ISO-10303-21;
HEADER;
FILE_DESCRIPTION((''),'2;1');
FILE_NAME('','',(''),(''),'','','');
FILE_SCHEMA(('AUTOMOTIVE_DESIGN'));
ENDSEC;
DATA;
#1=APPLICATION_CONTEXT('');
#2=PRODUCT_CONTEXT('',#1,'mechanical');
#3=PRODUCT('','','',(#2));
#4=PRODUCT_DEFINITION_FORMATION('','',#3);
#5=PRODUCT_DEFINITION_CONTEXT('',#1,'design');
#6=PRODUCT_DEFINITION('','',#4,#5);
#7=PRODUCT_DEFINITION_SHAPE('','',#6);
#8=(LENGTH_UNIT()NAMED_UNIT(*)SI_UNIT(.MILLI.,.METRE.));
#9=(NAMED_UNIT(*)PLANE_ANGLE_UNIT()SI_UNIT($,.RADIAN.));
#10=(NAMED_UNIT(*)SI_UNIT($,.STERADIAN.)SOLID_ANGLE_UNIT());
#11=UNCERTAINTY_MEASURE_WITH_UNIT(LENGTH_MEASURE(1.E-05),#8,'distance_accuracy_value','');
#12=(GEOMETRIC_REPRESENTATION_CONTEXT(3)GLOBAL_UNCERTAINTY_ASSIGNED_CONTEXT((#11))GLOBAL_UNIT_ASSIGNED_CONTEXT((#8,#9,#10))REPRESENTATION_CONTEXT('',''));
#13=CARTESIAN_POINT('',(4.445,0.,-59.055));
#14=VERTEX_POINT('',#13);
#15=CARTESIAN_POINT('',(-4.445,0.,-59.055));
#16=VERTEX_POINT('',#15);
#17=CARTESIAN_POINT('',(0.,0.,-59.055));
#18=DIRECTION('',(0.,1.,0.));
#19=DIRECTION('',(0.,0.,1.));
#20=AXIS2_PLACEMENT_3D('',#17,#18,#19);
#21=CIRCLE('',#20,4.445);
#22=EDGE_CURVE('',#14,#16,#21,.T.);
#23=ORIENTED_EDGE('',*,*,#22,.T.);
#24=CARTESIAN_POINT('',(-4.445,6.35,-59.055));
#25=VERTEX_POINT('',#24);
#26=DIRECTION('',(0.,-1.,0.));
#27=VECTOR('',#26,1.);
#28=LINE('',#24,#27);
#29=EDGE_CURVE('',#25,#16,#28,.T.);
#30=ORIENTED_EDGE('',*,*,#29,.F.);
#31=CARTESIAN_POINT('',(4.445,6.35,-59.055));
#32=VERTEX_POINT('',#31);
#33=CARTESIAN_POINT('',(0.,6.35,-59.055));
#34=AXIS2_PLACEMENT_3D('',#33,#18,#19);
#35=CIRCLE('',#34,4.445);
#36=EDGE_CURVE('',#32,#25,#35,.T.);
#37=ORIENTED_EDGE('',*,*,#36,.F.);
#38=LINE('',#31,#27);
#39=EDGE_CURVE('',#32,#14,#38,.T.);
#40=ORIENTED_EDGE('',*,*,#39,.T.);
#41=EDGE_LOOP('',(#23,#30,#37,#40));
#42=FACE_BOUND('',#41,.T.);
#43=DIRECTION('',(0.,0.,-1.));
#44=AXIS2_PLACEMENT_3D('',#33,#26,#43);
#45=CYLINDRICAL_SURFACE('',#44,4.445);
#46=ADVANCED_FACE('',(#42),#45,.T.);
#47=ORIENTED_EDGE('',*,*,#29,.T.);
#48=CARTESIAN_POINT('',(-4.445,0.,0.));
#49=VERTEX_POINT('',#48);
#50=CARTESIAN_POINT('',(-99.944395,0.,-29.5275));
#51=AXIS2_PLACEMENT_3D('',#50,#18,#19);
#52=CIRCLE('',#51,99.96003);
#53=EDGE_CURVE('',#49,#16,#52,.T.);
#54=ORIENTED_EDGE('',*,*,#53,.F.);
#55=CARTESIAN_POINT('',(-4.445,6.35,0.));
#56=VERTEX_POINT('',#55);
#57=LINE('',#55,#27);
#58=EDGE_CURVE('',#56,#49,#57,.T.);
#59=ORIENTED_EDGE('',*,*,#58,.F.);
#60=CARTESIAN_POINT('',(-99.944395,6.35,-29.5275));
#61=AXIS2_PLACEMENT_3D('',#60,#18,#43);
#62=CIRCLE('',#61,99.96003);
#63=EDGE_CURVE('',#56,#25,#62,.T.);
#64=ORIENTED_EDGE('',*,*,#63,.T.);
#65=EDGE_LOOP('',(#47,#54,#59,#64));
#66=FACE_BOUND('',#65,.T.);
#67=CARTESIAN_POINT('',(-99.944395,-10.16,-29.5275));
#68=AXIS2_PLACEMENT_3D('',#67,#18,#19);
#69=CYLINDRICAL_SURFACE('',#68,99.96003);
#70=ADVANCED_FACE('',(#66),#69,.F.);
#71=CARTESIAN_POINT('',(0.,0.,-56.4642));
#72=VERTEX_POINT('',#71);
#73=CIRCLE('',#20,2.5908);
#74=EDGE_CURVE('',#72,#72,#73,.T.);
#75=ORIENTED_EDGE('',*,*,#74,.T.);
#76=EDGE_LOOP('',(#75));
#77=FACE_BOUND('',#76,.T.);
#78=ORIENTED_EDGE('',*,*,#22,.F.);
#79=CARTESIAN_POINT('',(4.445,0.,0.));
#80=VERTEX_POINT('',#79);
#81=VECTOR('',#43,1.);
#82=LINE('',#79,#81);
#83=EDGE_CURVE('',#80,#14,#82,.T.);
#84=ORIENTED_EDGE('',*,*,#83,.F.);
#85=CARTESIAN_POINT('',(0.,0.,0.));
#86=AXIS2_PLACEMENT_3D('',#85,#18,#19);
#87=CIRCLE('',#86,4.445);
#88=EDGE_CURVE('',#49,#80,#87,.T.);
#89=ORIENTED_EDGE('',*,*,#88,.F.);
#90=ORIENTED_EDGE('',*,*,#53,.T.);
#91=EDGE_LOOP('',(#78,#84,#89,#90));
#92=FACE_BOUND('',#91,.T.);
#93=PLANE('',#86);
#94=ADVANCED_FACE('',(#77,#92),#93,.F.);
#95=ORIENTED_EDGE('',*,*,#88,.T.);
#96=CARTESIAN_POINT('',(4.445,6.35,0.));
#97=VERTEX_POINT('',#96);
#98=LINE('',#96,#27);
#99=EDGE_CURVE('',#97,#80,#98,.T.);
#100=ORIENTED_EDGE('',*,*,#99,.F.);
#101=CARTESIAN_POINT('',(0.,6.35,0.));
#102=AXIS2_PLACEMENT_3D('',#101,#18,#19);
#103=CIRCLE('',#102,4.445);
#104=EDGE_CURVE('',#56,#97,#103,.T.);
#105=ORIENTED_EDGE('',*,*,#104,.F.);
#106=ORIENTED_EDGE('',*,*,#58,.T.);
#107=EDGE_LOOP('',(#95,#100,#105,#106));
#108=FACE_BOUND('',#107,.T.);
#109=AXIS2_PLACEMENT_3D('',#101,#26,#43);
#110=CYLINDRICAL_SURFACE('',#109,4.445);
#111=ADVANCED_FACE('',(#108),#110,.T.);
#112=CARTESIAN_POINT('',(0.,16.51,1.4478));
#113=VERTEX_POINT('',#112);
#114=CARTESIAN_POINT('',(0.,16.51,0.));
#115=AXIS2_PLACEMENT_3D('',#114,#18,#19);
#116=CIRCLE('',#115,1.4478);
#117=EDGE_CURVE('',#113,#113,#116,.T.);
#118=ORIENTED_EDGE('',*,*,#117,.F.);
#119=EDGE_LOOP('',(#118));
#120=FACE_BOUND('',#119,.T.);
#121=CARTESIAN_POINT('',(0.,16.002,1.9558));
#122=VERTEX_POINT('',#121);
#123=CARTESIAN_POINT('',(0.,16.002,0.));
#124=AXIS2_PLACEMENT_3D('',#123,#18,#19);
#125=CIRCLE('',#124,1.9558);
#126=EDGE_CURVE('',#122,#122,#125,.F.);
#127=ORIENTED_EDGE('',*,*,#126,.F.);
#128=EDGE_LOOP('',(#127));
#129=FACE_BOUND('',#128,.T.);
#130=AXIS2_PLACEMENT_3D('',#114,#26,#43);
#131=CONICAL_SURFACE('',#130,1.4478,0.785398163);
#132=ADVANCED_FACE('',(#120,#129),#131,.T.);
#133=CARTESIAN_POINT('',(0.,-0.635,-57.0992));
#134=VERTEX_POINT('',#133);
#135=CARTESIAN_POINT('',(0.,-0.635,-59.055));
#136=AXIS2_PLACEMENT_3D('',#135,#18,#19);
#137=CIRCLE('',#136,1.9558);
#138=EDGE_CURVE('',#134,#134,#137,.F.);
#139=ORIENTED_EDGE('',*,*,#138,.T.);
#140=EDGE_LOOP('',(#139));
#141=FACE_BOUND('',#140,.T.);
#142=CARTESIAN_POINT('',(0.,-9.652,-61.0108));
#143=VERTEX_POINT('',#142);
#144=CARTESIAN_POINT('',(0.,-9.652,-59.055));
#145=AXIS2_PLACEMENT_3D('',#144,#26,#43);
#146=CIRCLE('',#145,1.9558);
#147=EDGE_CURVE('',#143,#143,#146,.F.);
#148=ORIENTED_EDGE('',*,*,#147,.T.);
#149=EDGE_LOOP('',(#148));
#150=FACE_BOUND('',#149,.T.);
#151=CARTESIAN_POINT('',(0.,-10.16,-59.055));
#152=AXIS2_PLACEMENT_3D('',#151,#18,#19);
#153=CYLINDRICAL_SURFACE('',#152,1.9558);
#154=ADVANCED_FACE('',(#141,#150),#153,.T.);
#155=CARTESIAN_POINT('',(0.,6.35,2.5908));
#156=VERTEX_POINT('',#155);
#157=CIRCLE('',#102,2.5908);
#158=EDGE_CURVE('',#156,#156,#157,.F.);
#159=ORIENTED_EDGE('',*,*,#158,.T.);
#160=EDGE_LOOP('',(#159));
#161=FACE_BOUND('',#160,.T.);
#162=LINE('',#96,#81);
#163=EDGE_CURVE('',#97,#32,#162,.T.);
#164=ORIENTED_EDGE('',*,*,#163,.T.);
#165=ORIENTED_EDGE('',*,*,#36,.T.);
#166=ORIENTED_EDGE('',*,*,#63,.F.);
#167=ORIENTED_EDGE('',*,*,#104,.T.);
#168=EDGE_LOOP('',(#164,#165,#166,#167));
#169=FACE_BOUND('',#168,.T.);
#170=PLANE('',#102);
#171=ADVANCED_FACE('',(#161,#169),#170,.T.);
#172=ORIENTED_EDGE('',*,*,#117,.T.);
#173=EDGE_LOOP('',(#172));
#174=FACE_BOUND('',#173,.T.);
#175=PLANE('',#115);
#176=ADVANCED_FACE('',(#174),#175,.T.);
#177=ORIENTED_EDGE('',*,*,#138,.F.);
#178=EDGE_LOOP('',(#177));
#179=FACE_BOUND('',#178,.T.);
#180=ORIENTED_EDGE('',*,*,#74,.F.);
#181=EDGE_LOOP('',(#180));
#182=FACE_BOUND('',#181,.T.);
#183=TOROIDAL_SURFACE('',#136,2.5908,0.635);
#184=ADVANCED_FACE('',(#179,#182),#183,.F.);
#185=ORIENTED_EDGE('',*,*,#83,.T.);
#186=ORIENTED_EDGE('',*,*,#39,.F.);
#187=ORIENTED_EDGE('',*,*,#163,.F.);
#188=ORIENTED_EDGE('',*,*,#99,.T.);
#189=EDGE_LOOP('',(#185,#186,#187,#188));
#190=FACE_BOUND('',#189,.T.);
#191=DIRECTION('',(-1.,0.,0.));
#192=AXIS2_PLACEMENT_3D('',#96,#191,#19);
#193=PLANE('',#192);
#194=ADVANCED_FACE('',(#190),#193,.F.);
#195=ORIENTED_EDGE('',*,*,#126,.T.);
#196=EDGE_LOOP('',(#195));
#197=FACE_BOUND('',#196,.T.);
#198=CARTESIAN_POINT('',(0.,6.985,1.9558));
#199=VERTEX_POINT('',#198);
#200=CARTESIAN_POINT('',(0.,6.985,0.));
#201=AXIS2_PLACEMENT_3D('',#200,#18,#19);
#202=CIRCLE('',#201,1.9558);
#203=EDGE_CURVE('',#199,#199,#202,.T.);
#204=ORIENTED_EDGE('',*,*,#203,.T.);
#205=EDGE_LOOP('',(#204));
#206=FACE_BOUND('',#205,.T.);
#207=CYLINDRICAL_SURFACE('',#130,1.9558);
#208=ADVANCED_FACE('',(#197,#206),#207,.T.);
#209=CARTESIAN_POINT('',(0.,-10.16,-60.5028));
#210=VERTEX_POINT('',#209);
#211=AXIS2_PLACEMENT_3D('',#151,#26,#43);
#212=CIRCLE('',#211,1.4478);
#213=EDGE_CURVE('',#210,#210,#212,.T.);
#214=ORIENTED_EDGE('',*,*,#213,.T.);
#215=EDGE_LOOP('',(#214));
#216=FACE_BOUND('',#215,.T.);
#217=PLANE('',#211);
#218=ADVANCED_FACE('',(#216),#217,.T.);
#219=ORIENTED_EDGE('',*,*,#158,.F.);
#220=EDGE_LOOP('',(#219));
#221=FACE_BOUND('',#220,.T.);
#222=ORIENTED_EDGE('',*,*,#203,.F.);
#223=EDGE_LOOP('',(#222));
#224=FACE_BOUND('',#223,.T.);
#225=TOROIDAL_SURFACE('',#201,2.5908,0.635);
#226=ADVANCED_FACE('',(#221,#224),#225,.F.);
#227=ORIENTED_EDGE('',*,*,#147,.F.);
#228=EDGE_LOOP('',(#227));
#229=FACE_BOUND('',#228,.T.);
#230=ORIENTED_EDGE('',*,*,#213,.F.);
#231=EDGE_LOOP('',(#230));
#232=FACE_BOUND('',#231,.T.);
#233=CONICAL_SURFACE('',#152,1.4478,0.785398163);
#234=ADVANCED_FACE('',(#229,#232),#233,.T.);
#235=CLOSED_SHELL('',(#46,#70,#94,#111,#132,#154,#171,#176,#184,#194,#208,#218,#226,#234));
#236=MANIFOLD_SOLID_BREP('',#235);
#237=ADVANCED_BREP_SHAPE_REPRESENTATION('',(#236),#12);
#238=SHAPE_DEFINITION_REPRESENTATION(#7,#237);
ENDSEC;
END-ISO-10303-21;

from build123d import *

# Parameters (mm, degrees)
BOSS_EXTRUDE1_DEPTH = 6.35
SKETCH3_R           = 1.9558
BOSS_EXTRUDE3_DEPTH = 10.16
SKETCH4_R           = 1.9558
BOSS_EXTRUDE4_DEPTH = 10.16
CUT_EXTRUDE1_DEPTH  = 66.761600688
FILLET2_R           = 0.635
CHAMFER4_SIZE       = 0.508


with BuildPart() as part:
    # Sketch1 → Boss-Extrude1 (new body)
    with BuildSketch(Plane(origin=(0, 0, 0), x_dir=(1, 0, 0), z_dir=(0, 1, 0))):
        with BuildLine():
            Line((-4.445, 0), (-4.445, 59.055))
            ThreePointArc((-4.445, 59.055), (0, 63.5), (4.445, 59.055))
            Line((4.445, 59.055), (4.445, 0))
            ThreePointArc((4.445, 0), (0, -4.445), (-4.445, 0))
        make_face()
    extrude(amount=BOSS_EXTRUDE1_DEPTH)

    # Sketch3 → Boss-Extrude3 (add)
    with BuildSketch(Plane(origin=(0, 6.35, 0), x_dir=(1, 0, 0), z_dir=(0, 1, 0))):
        with Locations(Location((0, 0, 0), (0, 0, 270))):
            Circle(SKETCH3_R)
    extrude(amount=BOSS_EXTRUDE3_DEPTH)

    # Sketch4 → Boss-Extrude4 (add)
    with BuildSketch(Plane.XZ):
        with Locations(Location((0, -59.055, 0), (0, 0, 90))):
            Circle(SKETCH4_R)
    extrude(amount=BOSS_EXTRUDE4_DEPTH)

    # Sketch5 → Cut-Extrude1 (cut, through all)
    with BuildSketch(Plane(origin=(0, 6.35, 0), x_dir=(1, 0, 0), z_dir=(0, 1, 0))):
        with BuildLine():
            Line((-4.445, 59.055), (-4.445, 0))
            ThreePointArc((-4.445, 0), (0.015635542, 29.5275), (-4.445, 59.055))
        make_face()
    extrude(amount=-CUT_EXTRUDE1_DEPTH, mode=Mode.SUBTRACT)

    # Fillet2
    fillet2_edges = [part.edges().sort_by_distance(p)[0] for p in [
        (0, 6.35, -1.9558),
        (0, 0, -61.0108),
    ]]
    fillet(fillet2_edges, radius=FILLET2_R)

    # Chamfer4
    chamfer4_edges = [part.edges().sort_by_distance(p)[0] for p in [
        (0, 16.51, -1.9558),
        (0, -10.16, -61.0108),
    ]]
    chamfer(chamfer4_edges, length=CHAMFER4_SIZE)


solid = part.part
